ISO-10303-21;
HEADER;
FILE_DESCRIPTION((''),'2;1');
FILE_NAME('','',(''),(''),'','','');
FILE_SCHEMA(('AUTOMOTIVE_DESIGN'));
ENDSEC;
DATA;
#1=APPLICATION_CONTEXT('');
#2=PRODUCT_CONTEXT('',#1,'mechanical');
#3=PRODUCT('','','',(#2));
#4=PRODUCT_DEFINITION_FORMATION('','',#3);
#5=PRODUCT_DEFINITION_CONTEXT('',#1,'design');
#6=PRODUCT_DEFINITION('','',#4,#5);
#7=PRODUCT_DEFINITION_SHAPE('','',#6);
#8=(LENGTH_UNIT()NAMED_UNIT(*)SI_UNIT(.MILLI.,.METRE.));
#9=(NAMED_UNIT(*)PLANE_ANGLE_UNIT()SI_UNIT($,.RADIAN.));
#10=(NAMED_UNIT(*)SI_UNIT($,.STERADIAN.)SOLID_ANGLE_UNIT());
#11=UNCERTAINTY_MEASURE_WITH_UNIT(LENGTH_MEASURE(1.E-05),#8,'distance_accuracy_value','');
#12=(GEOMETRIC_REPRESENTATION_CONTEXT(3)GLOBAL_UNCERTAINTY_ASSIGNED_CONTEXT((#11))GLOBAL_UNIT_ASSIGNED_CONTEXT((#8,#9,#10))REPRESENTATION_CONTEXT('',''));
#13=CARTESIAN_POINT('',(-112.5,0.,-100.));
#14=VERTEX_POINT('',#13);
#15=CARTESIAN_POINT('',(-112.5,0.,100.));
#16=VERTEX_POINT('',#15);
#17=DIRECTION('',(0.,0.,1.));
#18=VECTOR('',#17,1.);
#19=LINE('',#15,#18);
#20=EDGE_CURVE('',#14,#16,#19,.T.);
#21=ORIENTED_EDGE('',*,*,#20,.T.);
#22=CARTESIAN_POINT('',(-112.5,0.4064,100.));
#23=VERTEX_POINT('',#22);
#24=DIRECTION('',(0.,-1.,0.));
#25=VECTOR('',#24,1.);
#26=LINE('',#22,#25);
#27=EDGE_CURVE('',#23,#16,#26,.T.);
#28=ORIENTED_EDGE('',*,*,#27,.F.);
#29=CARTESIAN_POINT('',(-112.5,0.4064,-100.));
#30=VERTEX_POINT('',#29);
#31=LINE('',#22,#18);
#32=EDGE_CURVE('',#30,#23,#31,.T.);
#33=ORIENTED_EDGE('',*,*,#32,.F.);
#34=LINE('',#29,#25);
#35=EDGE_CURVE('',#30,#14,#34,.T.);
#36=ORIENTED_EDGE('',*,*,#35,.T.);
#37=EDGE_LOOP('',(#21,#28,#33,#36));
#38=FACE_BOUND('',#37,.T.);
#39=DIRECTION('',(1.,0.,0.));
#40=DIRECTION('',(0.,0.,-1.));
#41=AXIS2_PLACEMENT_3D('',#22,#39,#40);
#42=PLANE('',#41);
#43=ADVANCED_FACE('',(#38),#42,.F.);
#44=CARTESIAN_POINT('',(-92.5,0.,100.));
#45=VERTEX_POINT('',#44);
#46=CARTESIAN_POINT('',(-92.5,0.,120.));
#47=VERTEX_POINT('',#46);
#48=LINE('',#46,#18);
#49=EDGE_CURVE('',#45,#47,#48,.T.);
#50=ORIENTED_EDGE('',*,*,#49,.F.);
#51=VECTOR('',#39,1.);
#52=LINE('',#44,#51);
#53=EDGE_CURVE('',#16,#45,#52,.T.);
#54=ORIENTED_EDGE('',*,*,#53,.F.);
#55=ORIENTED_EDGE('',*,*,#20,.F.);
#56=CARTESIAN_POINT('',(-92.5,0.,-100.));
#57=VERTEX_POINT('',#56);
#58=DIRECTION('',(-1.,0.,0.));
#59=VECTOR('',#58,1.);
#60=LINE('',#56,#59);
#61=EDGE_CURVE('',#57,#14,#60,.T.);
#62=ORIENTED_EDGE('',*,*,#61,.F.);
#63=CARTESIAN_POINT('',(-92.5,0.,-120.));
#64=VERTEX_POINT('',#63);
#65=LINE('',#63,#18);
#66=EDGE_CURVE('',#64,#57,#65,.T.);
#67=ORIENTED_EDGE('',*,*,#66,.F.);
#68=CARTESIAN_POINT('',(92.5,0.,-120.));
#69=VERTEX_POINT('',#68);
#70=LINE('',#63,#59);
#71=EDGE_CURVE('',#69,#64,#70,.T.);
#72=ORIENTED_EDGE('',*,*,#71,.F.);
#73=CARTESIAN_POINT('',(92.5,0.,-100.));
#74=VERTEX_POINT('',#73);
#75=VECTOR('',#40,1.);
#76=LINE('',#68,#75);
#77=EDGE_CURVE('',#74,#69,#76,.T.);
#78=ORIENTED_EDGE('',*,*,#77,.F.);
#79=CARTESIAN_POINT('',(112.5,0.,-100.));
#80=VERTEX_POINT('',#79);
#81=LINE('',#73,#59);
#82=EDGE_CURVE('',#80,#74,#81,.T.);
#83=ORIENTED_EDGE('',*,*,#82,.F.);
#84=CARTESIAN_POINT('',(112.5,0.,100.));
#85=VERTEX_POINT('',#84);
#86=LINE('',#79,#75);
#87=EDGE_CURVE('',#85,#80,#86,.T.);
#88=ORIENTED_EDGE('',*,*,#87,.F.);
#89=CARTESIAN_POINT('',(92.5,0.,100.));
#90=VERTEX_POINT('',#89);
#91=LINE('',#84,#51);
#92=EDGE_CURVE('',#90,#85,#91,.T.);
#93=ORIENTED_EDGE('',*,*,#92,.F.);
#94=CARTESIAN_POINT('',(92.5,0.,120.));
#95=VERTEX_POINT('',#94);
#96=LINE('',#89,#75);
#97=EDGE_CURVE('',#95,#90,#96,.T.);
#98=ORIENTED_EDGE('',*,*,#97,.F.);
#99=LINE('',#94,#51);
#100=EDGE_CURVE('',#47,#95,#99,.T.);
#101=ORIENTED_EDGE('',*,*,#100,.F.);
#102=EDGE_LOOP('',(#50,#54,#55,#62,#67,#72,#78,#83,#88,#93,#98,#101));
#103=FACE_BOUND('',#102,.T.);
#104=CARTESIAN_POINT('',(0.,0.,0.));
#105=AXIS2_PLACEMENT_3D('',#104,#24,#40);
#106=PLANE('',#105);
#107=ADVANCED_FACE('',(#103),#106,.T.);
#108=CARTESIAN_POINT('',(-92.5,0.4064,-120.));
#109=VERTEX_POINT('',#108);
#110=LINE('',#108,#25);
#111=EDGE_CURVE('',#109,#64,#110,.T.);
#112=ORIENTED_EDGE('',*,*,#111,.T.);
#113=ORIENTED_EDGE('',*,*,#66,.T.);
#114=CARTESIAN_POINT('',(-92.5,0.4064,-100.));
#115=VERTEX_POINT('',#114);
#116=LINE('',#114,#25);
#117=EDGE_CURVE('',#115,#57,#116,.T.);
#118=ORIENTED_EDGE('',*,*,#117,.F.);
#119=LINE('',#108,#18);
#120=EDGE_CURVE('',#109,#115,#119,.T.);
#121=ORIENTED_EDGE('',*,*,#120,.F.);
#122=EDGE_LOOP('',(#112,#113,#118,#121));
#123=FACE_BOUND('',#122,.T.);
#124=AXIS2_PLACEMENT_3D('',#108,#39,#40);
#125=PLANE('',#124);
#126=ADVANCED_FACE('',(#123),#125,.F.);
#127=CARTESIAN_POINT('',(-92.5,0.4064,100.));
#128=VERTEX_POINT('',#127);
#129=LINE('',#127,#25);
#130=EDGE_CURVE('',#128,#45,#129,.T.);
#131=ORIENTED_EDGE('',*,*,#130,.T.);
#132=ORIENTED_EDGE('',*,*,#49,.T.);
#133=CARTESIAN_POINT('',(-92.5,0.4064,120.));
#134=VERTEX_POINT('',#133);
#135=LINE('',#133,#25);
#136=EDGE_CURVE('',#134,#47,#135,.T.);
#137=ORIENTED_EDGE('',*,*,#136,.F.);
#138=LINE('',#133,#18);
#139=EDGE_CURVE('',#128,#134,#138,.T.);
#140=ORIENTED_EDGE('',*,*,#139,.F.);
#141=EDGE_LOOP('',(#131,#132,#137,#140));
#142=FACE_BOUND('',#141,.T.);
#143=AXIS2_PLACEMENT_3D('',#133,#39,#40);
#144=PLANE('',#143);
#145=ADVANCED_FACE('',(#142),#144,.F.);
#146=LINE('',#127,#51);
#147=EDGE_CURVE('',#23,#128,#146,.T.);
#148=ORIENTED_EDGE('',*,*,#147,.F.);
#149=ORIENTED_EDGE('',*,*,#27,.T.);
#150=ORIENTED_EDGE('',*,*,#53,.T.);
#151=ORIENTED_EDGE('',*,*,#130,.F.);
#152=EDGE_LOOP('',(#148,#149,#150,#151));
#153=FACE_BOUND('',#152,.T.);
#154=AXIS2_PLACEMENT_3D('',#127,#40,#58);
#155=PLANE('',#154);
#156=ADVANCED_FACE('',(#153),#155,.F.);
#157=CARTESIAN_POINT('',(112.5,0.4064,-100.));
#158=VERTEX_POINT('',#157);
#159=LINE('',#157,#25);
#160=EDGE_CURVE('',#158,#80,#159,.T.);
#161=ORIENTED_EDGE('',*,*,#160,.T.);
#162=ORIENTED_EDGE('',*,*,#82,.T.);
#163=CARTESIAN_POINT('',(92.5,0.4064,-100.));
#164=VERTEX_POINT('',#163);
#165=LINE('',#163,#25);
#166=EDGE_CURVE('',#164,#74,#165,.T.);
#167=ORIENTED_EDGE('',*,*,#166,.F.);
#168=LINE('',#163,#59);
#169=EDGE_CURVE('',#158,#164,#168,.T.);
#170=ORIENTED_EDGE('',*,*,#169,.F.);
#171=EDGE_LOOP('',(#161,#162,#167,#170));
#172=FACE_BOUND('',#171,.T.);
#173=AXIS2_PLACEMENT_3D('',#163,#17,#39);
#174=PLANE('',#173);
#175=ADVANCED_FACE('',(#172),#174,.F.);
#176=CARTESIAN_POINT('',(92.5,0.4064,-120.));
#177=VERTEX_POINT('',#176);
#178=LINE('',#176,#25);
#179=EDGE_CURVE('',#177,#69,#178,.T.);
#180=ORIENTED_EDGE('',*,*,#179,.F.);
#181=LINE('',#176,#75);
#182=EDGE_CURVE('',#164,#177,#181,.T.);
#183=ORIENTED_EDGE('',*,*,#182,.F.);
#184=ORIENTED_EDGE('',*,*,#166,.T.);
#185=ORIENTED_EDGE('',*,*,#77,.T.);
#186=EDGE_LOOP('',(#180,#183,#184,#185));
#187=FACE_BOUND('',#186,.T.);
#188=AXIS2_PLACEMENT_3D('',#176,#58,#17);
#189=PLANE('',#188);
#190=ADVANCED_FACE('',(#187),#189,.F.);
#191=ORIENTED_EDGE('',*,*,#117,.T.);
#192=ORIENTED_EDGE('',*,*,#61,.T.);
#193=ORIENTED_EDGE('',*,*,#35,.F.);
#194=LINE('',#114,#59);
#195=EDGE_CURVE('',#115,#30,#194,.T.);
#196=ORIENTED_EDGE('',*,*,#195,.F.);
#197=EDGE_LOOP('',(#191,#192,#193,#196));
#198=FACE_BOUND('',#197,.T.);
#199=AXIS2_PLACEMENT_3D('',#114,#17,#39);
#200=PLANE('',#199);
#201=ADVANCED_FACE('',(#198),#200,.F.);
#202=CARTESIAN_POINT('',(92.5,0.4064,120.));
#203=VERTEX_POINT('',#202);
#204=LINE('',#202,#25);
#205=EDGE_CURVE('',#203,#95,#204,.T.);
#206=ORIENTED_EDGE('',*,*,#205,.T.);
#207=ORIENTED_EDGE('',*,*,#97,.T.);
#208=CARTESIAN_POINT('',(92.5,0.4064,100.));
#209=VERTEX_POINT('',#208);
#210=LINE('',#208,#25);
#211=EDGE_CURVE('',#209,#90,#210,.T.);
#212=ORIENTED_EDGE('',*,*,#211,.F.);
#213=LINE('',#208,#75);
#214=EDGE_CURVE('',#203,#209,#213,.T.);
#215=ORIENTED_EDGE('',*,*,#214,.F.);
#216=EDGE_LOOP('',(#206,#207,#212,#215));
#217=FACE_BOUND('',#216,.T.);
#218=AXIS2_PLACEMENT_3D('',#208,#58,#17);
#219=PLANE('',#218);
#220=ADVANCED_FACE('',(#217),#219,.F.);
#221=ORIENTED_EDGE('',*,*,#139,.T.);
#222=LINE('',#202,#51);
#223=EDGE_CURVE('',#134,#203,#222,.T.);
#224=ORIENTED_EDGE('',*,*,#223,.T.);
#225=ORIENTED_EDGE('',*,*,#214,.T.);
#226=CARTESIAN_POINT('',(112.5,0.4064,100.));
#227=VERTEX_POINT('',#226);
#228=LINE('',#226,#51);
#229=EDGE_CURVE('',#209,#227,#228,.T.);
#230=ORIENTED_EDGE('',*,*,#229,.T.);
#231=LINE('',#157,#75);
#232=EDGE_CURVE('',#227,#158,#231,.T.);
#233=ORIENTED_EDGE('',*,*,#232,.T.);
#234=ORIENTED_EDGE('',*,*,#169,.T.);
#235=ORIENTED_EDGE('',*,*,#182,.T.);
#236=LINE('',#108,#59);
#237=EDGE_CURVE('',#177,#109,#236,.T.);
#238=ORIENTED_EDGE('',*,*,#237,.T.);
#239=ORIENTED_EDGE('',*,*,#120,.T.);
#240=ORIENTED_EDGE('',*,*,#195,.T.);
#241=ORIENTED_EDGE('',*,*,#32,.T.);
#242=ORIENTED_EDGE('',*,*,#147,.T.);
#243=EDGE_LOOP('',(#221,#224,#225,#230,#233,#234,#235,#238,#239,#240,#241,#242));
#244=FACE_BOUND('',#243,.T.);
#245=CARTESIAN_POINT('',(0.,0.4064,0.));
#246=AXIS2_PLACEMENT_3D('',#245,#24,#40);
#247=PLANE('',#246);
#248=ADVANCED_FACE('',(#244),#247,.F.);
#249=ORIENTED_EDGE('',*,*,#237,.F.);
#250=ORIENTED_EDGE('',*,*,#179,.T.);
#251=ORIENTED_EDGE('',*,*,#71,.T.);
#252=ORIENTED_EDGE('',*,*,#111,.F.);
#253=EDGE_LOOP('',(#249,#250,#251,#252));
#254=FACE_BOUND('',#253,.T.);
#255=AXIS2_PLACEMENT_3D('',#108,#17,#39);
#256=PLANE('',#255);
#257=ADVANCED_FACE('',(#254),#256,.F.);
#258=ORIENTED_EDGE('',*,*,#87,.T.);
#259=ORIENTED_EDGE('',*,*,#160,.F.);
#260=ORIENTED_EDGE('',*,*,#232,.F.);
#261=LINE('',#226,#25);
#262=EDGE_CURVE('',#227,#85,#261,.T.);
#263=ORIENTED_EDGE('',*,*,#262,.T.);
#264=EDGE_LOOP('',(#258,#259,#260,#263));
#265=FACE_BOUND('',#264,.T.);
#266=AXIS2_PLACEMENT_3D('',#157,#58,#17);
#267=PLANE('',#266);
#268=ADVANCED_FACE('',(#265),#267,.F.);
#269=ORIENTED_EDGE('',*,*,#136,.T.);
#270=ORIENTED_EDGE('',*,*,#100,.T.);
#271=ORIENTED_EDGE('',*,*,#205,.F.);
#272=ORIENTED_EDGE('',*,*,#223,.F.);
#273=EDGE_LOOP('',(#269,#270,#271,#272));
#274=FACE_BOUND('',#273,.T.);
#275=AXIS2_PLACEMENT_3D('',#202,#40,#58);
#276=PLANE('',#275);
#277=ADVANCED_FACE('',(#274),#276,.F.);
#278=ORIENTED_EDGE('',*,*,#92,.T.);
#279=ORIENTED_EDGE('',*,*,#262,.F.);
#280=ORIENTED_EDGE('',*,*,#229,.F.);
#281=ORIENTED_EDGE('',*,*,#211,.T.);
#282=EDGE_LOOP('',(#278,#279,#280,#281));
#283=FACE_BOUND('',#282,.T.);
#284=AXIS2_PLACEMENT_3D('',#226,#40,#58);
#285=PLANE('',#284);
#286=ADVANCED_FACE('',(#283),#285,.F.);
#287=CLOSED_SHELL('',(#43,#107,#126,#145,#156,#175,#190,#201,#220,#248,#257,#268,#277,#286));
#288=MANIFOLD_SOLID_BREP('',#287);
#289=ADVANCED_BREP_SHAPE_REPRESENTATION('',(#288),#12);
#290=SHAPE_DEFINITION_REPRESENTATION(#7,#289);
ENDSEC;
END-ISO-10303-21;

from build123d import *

# Parameters (mm, degrees)
BOSS_EXTRUDE1_DEPTH = 0.4064


with BuildPart() as part:
    # Sketch1 → Boss-Extrude1 (new body)
    with BuildSketch(Plane(origin=(0, 0, 0), x_dir=(1, 0, 0), z_dir=(0, 1, 0))):
        Polygon((-92.5, 120), (-92.5, 100.000000122), (-112.5, 100.000000122), (-112.5, -100.000000122), (-92.5, -100.000000122), (-92.5, -120), (92.5, -120), (92.5, -100.000000122), (112.5, -100.000000122), (112.5, 100.000000122), (92.5, 100.000000122), (92.5, 120), align=None)
    extrude(amount=BOSS_EXTRUDE1_DEPTH)


solid = part.part
